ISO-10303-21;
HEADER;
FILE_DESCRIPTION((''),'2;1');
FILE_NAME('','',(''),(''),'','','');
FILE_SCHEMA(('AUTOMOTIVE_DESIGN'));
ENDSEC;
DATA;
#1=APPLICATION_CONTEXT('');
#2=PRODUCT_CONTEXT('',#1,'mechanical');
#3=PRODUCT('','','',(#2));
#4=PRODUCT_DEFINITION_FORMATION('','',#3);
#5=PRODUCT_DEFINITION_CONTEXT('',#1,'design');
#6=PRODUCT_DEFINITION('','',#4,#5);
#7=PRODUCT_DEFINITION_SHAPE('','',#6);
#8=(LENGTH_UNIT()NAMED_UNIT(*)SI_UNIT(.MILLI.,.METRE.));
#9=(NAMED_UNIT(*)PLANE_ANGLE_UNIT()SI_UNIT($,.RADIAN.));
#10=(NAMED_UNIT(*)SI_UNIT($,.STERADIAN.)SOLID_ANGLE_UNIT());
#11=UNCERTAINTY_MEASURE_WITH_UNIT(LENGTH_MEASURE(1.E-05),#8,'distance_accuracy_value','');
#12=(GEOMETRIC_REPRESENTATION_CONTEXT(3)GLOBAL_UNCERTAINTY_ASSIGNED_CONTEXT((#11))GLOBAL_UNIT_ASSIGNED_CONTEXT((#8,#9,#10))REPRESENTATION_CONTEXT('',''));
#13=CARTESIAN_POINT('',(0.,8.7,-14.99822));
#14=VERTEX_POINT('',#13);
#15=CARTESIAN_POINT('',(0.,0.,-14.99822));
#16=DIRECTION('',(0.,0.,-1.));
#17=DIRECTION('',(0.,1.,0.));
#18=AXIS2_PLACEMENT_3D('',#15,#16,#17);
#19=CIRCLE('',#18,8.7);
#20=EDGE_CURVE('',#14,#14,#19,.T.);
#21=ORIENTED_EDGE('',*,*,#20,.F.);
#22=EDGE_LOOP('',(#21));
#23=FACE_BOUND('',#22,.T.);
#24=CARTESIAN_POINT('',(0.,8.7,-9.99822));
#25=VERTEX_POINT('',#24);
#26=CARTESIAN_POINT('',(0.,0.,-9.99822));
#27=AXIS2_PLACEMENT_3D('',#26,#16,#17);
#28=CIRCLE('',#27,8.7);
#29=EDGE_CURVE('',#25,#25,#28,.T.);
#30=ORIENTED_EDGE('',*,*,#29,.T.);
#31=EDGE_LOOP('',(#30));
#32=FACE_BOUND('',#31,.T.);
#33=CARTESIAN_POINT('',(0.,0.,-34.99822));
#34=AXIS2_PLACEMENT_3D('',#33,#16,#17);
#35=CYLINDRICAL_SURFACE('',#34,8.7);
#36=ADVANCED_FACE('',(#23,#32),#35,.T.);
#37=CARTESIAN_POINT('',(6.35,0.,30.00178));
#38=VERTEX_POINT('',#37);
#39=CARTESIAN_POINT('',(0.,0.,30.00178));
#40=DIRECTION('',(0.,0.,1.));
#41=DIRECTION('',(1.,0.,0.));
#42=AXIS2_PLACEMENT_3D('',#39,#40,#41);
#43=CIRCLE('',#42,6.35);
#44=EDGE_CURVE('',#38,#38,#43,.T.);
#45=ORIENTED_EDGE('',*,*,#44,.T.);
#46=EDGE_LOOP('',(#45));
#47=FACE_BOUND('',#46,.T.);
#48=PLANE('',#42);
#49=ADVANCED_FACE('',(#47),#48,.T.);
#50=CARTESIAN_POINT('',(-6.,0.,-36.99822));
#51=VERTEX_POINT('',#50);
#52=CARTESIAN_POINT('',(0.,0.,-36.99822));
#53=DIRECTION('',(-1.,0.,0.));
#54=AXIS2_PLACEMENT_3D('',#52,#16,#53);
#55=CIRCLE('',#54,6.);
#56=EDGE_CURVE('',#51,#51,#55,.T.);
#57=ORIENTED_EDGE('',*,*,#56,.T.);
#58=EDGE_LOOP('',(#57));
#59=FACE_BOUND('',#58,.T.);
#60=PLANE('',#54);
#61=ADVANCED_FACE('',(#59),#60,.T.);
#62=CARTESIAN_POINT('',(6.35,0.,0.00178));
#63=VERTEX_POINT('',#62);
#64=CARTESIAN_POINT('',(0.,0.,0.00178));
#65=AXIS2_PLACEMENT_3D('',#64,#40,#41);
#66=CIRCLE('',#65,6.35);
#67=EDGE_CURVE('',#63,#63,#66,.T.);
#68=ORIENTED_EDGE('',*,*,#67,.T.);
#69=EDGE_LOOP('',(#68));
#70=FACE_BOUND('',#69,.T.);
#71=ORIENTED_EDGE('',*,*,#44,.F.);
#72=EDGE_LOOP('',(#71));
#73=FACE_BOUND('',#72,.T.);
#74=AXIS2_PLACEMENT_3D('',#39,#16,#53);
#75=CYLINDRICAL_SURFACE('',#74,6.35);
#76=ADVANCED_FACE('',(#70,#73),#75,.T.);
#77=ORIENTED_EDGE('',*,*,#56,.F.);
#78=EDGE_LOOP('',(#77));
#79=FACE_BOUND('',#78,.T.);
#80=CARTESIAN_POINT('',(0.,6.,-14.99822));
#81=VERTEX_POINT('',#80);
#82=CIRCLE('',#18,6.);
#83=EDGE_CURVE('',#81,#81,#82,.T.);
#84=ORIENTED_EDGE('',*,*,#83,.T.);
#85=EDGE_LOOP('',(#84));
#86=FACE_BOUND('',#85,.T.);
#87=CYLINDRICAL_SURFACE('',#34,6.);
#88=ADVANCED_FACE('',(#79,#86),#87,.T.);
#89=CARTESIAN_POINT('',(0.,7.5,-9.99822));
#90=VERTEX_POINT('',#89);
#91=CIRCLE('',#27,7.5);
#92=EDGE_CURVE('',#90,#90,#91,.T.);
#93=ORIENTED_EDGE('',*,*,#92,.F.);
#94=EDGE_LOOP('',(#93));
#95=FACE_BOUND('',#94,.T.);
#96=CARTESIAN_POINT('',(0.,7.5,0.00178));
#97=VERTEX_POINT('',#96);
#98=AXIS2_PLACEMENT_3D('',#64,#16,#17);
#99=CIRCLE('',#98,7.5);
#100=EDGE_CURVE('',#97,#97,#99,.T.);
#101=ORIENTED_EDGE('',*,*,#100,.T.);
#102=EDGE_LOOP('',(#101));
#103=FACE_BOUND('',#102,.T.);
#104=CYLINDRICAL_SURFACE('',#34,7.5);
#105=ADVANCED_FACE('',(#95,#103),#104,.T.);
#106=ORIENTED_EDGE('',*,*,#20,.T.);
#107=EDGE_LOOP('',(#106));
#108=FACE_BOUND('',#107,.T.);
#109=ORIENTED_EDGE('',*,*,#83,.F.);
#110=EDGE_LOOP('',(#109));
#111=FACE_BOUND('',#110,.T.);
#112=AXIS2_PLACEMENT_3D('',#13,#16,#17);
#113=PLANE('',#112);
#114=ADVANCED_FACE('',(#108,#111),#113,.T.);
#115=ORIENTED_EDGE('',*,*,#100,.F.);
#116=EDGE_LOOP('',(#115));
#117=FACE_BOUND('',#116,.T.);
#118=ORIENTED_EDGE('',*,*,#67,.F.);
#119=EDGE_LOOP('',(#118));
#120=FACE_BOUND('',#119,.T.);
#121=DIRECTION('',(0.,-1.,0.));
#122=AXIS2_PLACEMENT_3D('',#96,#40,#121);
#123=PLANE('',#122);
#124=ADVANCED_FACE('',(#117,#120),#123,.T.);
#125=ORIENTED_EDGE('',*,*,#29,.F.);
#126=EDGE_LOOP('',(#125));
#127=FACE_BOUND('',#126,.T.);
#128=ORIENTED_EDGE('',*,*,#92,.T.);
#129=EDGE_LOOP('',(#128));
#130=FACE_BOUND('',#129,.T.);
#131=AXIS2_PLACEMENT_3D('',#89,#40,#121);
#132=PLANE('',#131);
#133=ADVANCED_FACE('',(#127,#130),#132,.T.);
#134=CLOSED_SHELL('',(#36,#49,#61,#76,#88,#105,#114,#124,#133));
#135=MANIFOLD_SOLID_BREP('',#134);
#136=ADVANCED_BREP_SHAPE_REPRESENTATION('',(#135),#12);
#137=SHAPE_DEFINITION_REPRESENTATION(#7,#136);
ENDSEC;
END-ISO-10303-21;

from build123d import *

# Parameters (mm, degrees)
SKETCH5_R             = 6.35
OUTSIDE_EXTRUDE_DEPTH = 30
INSIDE_START          = 2
SKETCH6_R             = 6
INSIDE_EXTRUDE_DEPTH  = 2


with BuildPart() as part:
    # Sketch3 → Initial Resolve -- Exact Length (revolve)
    with BuildSketch(Plane(origin=(0, 0, 0), x_dir=(0, 0, -1), z_dir=(1, 0, 0))):
        Polygon((9.998219577, 8.7), (14.998219577, 8.7), (14.998219577, 6), (34.998219577, 6), (34.998219577, 0), (0, 0), (-0.001780423, 0), (-0.001780423, 7.5), (9.998219577, 7.5), align=None)
    revolve(axis=Axis((0, 0, -34.998219577), (0, 0, 1)))

    # Sketch5 → Outside Extrude (add)
    with BuildSketch(Plane.XY.offset(0.001780423)):
        Circle(SKETCH5_R)
    extrude(amount=OUTSIDE_EXTRUDE_DEPTH)

    # Sketch6 → Inside Extrude (add)
    with BuildSketch(Plane(origin=(0, 0, -34.998219577), x_dir=(-1, 0, 0), z_dir=(0, 0, -1)).offset(INSIDE_START)):
        with Locations(Location((0, 0, 0), (0, 0, 90))):
            Circle(SKETCH6_R)
    extrude(amount=-INSIDE_EXTRUDE_DEPTH)


solid = part.part
